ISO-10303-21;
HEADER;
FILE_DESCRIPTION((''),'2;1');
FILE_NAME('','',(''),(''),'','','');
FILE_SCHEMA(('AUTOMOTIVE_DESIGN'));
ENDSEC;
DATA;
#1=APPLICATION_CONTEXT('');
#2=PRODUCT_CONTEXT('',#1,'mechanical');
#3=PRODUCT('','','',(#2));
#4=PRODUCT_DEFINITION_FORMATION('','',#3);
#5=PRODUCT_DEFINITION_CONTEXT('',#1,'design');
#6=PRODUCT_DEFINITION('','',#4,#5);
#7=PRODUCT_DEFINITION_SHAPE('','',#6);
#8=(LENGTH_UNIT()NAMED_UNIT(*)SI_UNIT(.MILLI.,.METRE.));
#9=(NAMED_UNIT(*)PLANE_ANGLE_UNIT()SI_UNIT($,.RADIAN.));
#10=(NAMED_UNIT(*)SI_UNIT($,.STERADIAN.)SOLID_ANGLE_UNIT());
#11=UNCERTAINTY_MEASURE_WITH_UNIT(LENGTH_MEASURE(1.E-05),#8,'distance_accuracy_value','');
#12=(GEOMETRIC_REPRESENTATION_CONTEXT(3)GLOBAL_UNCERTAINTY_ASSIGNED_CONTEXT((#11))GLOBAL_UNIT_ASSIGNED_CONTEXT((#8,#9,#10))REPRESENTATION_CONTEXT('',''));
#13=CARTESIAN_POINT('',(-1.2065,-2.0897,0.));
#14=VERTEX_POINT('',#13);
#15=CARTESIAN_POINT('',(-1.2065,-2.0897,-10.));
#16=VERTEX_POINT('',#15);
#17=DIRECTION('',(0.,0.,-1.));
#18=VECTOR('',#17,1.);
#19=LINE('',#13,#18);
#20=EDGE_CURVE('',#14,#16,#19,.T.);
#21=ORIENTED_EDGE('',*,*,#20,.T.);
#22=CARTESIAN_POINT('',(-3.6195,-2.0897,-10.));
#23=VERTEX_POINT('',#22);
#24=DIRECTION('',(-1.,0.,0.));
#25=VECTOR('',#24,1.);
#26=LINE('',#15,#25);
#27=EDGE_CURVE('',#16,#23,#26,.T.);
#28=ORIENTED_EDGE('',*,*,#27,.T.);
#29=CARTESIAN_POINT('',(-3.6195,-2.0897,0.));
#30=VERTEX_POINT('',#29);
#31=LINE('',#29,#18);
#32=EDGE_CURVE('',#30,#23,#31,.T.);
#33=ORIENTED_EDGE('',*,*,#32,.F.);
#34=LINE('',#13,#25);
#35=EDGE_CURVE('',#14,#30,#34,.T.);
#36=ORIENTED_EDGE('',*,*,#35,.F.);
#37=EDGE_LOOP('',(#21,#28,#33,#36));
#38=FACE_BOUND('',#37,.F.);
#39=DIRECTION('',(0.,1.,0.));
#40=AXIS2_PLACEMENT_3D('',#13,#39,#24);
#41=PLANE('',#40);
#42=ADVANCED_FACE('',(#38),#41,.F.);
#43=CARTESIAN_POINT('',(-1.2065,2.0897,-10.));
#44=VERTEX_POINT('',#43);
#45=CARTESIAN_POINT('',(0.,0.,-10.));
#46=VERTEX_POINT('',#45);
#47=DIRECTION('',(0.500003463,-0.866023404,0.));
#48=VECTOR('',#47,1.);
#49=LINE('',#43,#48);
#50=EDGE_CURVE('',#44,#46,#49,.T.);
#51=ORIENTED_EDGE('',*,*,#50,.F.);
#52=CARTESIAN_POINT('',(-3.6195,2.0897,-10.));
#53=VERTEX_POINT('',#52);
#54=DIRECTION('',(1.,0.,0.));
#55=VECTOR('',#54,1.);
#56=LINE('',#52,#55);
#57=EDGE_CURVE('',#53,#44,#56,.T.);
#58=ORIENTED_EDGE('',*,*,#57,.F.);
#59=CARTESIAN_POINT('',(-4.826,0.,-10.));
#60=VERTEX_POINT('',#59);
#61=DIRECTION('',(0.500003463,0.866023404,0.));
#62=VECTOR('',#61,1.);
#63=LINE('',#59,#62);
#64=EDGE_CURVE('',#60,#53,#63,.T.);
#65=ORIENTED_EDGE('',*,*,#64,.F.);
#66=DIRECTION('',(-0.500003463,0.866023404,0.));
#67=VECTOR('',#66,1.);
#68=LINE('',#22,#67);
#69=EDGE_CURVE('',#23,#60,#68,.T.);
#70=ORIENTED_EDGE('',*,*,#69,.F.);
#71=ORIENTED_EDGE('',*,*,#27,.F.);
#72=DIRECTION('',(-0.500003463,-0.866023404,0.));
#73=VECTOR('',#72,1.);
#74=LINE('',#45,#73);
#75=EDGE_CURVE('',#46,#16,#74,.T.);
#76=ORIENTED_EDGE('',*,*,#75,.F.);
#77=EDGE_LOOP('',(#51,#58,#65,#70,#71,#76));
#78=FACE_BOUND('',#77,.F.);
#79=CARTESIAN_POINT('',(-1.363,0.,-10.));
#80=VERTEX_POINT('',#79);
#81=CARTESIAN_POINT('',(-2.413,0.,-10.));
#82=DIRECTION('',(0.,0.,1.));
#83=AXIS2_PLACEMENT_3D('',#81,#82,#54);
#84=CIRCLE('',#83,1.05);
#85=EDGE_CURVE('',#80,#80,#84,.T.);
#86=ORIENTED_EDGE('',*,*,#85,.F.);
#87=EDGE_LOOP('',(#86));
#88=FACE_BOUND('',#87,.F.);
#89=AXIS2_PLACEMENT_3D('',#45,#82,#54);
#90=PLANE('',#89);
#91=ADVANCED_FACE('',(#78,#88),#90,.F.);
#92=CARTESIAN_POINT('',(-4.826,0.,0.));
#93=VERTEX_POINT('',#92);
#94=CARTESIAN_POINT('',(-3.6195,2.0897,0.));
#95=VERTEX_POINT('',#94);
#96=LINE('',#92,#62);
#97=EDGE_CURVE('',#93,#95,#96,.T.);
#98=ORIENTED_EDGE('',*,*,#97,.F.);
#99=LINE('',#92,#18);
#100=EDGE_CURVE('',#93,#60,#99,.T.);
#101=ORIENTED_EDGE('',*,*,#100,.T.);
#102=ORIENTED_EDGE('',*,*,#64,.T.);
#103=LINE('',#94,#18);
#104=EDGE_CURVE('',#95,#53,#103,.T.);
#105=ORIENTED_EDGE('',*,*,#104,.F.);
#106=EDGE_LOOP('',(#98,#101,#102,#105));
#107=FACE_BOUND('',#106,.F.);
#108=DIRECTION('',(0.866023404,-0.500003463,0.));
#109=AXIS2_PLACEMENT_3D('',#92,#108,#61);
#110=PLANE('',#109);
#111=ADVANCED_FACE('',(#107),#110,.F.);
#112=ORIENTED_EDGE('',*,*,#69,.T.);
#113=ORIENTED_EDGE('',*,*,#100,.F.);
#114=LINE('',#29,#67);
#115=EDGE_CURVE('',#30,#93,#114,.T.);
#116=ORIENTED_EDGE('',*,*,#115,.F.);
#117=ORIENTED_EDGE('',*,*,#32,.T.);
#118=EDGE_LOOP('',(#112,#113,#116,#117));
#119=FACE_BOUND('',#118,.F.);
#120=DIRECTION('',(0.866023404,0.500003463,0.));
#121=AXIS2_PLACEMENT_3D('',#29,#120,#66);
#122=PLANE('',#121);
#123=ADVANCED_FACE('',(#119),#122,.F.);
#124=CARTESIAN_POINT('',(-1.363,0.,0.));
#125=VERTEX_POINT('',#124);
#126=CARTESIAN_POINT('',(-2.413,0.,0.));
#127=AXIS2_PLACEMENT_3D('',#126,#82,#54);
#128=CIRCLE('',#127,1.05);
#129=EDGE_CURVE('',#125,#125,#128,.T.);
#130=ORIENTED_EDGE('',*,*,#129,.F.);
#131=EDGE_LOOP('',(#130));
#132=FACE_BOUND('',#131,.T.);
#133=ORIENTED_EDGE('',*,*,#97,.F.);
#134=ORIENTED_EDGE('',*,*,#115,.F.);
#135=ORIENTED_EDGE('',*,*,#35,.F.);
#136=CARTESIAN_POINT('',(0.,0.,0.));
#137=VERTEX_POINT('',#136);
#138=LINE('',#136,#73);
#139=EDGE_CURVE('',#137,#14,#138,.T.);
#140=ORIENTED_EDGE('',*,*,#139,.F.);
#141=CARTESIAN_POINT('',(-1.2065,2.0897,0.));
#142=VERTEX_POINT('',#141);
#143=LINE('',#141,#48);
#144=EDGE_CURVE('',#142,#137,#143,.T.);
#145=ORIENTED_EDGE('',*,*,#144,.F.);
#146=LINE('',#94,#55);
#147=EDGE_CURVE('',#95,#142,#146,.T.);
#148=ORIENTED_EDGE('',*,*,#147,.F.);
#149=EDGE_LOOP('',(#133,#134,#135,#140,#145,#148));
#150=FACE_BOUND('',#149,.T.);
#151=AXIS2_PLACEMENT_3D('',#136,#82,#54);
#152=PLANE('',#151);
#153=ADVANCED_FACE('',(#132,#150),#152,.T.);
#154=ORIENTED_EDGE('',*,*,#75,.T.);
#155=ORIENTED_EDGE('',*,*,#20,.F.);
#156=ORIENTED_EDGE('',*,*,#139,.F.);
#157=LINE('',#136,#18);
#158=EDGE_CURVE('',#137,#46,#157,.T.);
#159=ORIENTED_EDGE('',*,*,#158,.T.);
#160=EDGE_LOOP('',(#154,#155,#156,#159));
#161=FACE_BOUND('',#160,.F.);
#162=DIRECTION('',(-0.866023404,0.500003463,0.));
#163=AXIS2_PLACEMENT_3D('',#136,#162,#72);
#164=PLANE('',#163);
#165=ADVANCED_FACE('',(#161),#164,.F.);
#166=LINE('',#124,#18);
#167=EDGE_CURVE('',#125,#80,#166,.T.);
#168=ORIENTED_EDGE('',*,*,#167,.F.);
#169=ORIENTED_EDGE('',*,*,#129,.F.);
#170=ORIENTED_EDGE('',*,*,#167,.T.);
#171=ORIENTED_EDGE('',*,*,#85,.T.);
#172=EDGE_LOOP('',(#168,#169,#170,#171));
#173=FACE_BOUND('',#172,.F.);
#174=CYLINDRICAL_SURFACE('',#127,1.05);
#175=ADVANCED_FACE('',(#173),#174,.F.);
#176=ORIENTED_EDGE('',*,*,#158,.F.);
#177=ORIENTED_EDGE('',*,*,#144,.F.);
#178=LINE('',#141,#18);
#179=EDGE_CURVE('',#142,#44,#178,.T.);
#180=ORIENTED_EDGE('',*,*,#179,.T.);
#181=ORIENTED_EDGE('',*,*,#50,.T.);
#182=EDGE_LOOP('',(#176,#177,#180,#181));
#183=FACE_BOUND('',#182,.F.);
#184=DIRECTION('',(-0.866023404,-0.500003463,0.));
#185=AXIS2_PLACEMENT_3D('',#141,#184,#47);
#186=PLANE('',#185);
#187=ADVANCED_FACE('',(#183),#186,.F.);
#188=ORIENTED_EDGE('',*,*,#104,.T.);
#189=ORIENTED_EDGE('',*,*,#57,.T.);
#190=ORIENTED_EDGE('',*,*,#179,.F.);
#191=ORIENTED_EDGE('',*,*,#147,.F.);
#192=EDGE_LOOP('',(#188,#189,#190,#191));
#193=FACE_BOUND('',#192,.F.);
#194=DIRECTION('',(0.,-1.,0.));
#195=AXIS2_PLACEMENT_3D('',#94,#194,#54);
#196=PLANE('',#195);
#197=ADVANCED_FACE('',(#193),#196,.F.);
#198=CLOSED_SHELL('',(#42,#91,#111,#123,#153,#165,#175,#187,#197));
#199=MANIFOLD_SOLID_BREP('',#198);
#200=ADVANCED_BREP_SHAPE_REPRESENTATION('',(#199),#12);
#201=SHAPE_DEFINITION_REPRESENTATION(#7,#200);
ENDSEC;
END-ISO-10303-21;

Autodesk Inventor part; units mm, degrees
ref_plane "YZ Plane" through (0, 0, 0) normal (1, 0, 0) x (0, 1, 0)
ref_plane "XZ Plane" through (0, 0, 0) normal (0, 1, 0) x (-1, 0, 0)
ref_plane "XY Plane" through (0, 0, 0) normal (0, 0, 1) x (1, 0, 0)
sketch "Sketch1" plane through (0, 0, 0) normal (0, 0, 1) x (1, 0, 0)
  circle A0 centre (-2.413, 0) radius 2.413 projected
  line L0 (-1.2065, -2.0897) -> (-3.6195, -2.0897)
  line L1 (-3.6195, -2.0897) -> (-4.826, 0)
  line L2 (-4.826, 0) -> (-3.6195, 2.0897)
  line L3 (-3.6195, 2.0897) -> (-1.2065, 2.0897)
  line L4 (-1.2065, 2.0897) -> (0, 0)
  line L5 (0, 0) -> (-1.2065, -2.0897)
  circle A1 centre (-2.413, 0) radius 1.05
  line L6 (-1.913, -3.5) -> (-9.8027, -3.5) projected
  point P0 (0, 0)
  dimension "d0" = 2.1
extrude "Extrusion1" add sketch "Sketch1" against normal blind 10 contours L5 L0 L1 L2 L3 L4
properties part number "SpacerShiel"
